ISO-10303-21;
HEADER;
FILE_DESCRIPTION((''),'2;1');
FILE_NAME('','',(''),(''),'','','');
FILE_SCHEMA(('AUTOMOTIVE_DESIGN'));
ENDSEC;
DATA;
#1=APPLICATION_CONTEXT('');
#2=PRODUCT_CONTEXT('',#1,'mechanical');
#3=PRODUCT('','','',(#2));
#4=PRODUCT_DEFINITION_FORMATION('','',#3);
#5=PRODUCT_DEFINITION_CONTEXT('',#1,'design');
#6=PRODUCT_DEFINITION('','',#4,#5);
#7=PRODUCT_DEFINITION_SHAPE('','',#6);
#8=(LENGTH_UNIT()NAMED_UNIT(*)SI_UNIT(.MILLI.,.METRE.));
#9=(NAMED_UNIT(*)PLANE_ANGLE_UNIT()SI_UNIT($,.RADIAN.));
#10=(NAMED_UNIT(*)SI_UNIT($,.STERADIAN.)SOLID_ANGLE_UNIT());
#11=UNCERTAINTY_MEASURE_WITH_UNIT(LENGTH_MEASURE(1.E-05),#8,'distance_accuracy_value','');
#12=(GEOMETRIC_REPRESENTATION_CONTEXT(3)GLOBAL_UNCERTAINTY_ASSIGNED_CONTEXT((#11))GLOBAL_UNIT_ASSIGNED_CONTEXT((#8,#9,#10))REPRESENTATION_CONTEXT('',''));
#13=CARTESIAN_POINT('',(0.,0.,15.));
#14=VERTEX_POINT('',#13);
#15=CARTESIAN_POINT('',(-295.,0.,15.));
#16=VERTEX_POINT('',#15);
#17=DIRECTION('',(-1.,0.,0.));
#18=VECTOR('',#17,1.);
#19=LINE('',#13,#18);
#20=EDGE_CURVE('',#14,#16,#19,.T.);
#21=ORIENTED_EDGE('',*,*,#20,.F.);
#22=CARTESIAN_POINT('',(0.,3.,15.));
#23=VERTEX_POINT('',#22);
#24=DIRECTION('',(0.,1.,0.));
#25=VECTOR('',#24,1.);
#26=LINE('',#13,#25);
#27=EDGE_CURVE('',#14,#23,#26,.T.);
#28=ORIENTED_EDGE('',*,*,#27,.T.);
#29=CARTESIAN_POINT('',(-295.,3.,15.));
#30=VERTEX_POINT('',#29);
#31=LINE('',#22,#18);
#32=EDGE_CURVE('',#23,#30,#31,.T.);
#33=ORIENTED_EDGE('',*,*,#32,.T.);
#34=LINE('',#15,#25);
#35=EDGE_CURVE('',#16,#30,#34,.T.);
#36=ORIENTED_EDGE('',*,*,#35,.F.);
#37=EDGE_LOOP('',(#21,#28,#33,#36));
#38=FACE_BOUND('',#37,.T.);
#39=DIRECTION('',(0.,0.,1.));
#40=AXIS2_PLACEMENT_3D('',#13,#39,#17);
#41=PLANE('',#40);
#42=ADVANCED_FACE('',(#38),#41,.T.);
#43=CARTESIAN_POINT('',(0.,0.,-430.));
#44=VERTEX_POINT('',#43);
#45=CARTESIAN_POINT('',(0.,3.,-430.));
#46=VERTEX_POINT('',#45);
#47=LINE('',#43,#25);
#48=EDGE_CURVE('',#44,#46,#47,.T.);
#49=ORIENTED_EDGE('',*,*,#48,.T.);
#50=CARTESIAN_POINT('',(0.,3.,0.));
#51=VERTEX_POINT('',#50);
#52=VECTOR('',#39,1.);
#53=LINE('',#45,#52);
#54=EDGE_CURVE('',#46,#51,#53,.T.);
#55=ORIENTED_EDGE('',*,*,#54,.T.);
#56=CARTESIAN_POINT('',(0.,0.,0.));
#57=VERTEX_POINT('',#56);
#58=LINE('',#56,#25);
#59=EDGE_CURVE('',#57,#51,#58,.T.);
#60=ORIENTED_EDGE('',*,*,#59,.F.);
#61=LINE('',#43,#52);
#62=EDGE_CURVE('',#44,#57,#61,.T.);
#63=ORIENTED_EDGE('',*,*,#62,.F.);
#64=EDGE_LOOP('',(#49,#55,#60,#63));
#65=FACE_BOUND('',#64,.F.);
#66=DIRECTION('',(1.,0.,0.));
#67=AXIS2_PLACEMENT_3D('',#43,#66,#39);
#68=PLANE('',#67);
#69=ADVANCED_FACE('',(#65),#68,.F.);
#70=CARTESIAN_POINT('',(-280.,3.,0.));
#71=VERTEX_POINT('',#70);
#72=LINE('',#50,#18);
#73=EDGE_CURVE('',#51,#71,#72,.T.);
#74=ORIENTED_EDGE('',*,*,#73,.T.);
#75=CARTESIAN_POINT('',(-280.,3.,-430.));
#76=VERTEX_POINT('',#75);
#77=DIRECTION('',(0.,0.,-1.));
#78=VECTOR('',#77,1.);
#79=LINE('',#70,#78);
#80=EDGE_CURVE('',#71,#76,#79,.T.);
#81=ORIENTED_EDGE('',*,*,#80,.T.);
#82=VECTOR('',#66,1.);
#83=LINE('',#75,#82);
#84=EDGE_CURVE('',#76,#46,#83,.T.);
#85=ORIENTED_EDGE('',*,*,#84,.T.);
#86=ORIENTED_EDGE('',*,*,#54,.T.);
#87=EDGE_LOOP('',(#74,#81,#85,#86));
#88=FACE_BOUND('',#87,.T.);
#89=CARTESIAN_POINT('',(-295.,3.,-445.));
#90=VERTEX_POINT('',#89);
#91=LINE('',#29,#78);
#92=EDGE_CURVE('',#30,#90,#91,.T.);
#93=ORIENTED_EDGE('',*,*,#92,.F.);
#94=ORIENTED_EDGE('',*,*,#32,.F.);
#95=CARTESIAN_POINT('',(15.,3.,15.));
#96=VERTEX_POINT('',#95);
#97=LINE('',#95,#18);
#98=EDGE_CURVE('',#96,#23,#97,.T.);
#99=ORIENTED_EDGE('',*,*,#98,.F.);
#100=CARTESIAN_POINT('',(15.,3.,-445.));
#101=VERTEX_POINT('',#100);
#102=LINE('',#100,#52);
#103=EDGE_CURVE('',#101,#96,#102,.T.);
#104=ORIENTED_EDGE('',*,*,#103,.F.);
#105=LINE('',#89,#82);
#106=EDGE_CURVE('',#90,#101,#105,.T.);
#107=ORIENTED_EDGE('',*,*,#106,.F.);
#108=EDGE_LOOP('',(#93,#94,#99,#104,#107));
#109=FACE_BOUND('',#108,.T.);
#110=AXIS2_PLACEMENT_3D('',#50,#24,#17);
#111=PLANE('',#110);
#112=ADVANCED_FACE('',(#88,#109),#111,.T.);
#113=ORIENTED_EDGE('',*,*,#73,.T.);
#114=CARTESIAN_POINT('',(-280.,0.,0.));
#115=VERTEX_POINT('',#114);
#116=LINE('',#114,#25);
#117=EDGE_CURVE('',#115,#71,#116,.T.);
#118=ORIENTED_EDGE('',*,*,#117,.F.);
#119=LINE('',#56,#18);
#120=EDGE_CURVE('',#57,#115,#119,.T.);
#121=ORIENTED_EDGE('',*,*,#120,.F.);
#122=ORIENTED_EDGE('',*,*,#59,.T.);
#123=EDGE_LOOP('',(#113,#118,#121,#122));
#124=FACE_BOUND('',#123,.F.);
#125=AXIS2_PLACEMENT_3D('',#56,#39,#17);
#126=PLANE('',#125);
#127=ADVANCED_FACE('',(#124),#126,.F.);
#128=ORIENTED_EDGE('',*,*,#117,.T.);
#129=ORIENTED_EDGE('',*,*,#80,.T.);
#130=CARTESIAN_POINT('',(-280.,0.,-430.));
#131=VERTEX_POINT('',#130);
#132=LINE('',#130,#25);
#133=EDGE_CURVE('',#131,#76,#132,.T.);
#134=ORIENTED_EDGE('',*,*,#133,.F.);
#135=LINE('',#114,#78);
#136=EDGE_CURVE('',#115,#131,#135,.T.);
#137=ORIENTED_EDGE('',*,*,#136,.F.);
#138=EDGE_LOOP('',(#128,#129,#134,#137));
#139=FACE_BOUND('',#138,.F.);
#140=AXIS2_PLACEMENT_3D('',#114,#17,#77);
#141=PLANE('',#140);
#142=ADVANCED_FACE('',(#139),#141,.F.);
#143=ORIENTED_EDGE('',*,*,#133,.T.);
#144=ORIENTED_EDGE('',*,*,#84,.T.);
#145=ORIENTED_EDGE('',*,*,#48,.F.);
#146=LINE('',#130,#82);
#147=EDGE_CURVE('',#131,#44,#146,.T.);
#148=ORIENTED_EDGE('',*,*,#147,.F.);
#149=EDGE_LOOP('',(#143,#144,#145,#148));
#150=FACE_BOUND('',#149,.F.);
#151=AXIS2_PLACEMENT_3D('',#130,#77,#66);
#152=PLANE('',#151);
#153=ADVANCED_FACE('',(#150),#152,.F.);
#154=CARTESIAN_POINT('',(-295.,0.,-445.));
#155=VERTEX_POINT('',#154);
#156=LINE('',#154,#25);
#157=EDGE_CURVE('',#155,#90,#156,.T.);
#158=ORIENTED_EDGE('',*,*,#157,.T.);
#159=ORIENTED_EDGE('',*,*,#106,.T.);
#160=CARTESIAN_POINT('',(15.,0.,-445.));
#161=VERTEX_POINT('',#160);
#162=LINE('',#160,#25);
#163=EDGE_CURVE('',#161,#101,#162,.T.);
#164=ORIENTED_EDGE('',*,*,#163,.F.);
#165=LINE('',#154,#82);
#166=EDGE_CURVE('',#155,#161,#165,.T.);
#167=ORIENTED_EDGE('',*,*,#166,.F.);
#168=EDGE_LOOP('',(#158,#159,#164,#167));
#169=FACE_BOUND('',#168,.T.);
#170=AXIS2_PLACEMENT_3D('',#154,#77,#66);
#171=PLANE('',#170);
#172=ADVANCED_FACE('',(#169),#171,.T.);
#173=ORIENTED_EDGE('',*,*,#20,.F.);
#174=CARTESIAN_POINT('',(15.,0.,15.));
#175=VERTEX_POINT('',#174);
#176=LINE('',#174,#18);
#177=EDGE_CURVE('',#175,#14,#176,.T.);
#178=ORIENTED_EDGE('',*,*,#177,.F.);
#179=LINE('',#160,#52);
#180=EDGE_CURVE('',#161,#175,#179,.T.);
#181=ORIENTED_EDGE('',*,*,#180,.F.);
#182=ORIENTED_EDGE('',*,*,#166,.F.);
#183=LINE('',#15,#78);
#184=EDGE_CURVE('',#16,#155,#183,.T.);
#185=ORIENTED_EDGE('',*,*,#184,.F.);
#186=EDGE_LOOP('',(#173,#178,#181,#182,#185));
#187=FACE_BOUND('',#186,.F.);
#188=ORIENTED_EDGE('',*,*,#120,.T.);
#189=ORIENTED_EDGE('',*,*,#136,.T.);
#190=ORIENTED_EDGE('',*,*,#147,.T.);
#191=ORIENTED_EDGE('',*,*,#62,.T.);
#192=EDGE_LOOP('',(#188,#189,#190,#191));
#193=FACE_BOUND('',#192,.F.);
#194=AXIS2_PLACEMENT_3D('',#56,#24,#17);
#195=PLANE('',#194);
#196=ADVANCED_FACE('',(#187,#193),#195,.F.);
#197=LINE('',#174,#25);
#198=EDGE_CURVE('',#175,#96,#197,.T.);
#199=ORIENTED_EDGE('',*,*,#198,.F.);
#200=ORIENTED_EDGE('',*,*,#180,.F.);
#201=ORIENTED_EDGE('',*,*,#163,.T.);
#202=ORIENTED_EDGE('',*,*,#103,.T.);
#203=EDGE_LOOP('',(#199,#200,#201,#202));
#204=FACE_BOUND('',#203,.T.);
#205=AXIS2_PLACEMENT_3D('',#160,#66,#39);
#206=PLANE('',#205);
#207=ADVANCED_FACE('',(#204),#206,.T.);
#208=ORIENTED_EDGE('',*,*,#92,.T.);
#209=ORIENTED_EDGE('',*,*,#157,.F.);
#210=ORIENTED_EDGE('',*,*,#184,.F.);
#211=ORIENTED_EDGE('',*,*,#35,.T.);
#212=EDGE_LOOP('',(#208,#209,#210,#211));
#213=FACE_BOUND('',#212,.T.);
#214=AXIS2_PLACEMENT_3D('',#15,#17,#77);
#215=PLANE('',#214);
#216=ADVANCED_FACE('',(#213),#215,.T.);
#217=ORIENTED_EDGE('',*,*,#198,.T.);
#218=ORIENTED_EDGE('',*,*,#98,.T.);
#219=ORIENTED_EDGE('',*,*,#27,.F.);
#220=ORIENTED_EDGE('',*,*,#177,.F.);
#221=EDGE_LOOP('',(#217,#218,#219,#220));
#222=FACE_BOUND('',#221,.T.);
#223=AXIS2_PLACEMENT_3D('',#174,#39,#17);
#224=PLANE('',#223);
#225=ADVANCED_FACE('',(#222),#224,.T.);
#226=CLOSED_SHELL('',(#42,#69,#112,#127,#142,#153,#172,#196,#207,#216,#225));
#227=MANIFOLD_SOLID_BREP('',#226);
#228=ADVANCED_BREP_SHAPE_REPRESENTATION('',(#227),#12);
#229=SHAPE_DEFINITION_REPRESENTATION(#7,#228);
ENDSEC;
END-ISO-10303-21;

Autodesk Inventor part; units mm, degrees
ref_plane "YZ Plane" through (0, 0, 0) normal (1, 0, 0) x (0, 1, 0)
ref_plane "XZ Plane" through (0, 0, 0) normal (0, 1, 0) x (-1, 0, 0)
ref_plane "XY Plane" through (0, 0, 0) normal (0, 0, 1) x (1, 0, 0)
sketch "Boceto1" plane through (0, 0, 0) normal (0, 1, 0) x (-1, 0, 0)
  line L0 (0, 0) -> (280, 0)
  line L1 (280, 0) -> (280, -430)
  line L2 (280, -430) -> (0, -430)
  line L3 (0, -430) -> (0, 0)
  line L4 (0, 15) -> (295, 15)
  line L5 (295, 15) -> (295, -445)
  line L6 (295, -445) -> (-15, -445)
  line L7 (-15, -445) -> (-15, 15)
  line L8 (-15, 15) -> (0, 15)
  dimension "d0" = 280
  dimension "d1" = 430
  dimension "d2" = 15
  dimension "d3" = 295
  dimension "d4" = 460
  dimension "d5" = 310
extrude "Extrusión1" add sketch "Boceto1" along normal blind 3
properties part number "Marco molde"
